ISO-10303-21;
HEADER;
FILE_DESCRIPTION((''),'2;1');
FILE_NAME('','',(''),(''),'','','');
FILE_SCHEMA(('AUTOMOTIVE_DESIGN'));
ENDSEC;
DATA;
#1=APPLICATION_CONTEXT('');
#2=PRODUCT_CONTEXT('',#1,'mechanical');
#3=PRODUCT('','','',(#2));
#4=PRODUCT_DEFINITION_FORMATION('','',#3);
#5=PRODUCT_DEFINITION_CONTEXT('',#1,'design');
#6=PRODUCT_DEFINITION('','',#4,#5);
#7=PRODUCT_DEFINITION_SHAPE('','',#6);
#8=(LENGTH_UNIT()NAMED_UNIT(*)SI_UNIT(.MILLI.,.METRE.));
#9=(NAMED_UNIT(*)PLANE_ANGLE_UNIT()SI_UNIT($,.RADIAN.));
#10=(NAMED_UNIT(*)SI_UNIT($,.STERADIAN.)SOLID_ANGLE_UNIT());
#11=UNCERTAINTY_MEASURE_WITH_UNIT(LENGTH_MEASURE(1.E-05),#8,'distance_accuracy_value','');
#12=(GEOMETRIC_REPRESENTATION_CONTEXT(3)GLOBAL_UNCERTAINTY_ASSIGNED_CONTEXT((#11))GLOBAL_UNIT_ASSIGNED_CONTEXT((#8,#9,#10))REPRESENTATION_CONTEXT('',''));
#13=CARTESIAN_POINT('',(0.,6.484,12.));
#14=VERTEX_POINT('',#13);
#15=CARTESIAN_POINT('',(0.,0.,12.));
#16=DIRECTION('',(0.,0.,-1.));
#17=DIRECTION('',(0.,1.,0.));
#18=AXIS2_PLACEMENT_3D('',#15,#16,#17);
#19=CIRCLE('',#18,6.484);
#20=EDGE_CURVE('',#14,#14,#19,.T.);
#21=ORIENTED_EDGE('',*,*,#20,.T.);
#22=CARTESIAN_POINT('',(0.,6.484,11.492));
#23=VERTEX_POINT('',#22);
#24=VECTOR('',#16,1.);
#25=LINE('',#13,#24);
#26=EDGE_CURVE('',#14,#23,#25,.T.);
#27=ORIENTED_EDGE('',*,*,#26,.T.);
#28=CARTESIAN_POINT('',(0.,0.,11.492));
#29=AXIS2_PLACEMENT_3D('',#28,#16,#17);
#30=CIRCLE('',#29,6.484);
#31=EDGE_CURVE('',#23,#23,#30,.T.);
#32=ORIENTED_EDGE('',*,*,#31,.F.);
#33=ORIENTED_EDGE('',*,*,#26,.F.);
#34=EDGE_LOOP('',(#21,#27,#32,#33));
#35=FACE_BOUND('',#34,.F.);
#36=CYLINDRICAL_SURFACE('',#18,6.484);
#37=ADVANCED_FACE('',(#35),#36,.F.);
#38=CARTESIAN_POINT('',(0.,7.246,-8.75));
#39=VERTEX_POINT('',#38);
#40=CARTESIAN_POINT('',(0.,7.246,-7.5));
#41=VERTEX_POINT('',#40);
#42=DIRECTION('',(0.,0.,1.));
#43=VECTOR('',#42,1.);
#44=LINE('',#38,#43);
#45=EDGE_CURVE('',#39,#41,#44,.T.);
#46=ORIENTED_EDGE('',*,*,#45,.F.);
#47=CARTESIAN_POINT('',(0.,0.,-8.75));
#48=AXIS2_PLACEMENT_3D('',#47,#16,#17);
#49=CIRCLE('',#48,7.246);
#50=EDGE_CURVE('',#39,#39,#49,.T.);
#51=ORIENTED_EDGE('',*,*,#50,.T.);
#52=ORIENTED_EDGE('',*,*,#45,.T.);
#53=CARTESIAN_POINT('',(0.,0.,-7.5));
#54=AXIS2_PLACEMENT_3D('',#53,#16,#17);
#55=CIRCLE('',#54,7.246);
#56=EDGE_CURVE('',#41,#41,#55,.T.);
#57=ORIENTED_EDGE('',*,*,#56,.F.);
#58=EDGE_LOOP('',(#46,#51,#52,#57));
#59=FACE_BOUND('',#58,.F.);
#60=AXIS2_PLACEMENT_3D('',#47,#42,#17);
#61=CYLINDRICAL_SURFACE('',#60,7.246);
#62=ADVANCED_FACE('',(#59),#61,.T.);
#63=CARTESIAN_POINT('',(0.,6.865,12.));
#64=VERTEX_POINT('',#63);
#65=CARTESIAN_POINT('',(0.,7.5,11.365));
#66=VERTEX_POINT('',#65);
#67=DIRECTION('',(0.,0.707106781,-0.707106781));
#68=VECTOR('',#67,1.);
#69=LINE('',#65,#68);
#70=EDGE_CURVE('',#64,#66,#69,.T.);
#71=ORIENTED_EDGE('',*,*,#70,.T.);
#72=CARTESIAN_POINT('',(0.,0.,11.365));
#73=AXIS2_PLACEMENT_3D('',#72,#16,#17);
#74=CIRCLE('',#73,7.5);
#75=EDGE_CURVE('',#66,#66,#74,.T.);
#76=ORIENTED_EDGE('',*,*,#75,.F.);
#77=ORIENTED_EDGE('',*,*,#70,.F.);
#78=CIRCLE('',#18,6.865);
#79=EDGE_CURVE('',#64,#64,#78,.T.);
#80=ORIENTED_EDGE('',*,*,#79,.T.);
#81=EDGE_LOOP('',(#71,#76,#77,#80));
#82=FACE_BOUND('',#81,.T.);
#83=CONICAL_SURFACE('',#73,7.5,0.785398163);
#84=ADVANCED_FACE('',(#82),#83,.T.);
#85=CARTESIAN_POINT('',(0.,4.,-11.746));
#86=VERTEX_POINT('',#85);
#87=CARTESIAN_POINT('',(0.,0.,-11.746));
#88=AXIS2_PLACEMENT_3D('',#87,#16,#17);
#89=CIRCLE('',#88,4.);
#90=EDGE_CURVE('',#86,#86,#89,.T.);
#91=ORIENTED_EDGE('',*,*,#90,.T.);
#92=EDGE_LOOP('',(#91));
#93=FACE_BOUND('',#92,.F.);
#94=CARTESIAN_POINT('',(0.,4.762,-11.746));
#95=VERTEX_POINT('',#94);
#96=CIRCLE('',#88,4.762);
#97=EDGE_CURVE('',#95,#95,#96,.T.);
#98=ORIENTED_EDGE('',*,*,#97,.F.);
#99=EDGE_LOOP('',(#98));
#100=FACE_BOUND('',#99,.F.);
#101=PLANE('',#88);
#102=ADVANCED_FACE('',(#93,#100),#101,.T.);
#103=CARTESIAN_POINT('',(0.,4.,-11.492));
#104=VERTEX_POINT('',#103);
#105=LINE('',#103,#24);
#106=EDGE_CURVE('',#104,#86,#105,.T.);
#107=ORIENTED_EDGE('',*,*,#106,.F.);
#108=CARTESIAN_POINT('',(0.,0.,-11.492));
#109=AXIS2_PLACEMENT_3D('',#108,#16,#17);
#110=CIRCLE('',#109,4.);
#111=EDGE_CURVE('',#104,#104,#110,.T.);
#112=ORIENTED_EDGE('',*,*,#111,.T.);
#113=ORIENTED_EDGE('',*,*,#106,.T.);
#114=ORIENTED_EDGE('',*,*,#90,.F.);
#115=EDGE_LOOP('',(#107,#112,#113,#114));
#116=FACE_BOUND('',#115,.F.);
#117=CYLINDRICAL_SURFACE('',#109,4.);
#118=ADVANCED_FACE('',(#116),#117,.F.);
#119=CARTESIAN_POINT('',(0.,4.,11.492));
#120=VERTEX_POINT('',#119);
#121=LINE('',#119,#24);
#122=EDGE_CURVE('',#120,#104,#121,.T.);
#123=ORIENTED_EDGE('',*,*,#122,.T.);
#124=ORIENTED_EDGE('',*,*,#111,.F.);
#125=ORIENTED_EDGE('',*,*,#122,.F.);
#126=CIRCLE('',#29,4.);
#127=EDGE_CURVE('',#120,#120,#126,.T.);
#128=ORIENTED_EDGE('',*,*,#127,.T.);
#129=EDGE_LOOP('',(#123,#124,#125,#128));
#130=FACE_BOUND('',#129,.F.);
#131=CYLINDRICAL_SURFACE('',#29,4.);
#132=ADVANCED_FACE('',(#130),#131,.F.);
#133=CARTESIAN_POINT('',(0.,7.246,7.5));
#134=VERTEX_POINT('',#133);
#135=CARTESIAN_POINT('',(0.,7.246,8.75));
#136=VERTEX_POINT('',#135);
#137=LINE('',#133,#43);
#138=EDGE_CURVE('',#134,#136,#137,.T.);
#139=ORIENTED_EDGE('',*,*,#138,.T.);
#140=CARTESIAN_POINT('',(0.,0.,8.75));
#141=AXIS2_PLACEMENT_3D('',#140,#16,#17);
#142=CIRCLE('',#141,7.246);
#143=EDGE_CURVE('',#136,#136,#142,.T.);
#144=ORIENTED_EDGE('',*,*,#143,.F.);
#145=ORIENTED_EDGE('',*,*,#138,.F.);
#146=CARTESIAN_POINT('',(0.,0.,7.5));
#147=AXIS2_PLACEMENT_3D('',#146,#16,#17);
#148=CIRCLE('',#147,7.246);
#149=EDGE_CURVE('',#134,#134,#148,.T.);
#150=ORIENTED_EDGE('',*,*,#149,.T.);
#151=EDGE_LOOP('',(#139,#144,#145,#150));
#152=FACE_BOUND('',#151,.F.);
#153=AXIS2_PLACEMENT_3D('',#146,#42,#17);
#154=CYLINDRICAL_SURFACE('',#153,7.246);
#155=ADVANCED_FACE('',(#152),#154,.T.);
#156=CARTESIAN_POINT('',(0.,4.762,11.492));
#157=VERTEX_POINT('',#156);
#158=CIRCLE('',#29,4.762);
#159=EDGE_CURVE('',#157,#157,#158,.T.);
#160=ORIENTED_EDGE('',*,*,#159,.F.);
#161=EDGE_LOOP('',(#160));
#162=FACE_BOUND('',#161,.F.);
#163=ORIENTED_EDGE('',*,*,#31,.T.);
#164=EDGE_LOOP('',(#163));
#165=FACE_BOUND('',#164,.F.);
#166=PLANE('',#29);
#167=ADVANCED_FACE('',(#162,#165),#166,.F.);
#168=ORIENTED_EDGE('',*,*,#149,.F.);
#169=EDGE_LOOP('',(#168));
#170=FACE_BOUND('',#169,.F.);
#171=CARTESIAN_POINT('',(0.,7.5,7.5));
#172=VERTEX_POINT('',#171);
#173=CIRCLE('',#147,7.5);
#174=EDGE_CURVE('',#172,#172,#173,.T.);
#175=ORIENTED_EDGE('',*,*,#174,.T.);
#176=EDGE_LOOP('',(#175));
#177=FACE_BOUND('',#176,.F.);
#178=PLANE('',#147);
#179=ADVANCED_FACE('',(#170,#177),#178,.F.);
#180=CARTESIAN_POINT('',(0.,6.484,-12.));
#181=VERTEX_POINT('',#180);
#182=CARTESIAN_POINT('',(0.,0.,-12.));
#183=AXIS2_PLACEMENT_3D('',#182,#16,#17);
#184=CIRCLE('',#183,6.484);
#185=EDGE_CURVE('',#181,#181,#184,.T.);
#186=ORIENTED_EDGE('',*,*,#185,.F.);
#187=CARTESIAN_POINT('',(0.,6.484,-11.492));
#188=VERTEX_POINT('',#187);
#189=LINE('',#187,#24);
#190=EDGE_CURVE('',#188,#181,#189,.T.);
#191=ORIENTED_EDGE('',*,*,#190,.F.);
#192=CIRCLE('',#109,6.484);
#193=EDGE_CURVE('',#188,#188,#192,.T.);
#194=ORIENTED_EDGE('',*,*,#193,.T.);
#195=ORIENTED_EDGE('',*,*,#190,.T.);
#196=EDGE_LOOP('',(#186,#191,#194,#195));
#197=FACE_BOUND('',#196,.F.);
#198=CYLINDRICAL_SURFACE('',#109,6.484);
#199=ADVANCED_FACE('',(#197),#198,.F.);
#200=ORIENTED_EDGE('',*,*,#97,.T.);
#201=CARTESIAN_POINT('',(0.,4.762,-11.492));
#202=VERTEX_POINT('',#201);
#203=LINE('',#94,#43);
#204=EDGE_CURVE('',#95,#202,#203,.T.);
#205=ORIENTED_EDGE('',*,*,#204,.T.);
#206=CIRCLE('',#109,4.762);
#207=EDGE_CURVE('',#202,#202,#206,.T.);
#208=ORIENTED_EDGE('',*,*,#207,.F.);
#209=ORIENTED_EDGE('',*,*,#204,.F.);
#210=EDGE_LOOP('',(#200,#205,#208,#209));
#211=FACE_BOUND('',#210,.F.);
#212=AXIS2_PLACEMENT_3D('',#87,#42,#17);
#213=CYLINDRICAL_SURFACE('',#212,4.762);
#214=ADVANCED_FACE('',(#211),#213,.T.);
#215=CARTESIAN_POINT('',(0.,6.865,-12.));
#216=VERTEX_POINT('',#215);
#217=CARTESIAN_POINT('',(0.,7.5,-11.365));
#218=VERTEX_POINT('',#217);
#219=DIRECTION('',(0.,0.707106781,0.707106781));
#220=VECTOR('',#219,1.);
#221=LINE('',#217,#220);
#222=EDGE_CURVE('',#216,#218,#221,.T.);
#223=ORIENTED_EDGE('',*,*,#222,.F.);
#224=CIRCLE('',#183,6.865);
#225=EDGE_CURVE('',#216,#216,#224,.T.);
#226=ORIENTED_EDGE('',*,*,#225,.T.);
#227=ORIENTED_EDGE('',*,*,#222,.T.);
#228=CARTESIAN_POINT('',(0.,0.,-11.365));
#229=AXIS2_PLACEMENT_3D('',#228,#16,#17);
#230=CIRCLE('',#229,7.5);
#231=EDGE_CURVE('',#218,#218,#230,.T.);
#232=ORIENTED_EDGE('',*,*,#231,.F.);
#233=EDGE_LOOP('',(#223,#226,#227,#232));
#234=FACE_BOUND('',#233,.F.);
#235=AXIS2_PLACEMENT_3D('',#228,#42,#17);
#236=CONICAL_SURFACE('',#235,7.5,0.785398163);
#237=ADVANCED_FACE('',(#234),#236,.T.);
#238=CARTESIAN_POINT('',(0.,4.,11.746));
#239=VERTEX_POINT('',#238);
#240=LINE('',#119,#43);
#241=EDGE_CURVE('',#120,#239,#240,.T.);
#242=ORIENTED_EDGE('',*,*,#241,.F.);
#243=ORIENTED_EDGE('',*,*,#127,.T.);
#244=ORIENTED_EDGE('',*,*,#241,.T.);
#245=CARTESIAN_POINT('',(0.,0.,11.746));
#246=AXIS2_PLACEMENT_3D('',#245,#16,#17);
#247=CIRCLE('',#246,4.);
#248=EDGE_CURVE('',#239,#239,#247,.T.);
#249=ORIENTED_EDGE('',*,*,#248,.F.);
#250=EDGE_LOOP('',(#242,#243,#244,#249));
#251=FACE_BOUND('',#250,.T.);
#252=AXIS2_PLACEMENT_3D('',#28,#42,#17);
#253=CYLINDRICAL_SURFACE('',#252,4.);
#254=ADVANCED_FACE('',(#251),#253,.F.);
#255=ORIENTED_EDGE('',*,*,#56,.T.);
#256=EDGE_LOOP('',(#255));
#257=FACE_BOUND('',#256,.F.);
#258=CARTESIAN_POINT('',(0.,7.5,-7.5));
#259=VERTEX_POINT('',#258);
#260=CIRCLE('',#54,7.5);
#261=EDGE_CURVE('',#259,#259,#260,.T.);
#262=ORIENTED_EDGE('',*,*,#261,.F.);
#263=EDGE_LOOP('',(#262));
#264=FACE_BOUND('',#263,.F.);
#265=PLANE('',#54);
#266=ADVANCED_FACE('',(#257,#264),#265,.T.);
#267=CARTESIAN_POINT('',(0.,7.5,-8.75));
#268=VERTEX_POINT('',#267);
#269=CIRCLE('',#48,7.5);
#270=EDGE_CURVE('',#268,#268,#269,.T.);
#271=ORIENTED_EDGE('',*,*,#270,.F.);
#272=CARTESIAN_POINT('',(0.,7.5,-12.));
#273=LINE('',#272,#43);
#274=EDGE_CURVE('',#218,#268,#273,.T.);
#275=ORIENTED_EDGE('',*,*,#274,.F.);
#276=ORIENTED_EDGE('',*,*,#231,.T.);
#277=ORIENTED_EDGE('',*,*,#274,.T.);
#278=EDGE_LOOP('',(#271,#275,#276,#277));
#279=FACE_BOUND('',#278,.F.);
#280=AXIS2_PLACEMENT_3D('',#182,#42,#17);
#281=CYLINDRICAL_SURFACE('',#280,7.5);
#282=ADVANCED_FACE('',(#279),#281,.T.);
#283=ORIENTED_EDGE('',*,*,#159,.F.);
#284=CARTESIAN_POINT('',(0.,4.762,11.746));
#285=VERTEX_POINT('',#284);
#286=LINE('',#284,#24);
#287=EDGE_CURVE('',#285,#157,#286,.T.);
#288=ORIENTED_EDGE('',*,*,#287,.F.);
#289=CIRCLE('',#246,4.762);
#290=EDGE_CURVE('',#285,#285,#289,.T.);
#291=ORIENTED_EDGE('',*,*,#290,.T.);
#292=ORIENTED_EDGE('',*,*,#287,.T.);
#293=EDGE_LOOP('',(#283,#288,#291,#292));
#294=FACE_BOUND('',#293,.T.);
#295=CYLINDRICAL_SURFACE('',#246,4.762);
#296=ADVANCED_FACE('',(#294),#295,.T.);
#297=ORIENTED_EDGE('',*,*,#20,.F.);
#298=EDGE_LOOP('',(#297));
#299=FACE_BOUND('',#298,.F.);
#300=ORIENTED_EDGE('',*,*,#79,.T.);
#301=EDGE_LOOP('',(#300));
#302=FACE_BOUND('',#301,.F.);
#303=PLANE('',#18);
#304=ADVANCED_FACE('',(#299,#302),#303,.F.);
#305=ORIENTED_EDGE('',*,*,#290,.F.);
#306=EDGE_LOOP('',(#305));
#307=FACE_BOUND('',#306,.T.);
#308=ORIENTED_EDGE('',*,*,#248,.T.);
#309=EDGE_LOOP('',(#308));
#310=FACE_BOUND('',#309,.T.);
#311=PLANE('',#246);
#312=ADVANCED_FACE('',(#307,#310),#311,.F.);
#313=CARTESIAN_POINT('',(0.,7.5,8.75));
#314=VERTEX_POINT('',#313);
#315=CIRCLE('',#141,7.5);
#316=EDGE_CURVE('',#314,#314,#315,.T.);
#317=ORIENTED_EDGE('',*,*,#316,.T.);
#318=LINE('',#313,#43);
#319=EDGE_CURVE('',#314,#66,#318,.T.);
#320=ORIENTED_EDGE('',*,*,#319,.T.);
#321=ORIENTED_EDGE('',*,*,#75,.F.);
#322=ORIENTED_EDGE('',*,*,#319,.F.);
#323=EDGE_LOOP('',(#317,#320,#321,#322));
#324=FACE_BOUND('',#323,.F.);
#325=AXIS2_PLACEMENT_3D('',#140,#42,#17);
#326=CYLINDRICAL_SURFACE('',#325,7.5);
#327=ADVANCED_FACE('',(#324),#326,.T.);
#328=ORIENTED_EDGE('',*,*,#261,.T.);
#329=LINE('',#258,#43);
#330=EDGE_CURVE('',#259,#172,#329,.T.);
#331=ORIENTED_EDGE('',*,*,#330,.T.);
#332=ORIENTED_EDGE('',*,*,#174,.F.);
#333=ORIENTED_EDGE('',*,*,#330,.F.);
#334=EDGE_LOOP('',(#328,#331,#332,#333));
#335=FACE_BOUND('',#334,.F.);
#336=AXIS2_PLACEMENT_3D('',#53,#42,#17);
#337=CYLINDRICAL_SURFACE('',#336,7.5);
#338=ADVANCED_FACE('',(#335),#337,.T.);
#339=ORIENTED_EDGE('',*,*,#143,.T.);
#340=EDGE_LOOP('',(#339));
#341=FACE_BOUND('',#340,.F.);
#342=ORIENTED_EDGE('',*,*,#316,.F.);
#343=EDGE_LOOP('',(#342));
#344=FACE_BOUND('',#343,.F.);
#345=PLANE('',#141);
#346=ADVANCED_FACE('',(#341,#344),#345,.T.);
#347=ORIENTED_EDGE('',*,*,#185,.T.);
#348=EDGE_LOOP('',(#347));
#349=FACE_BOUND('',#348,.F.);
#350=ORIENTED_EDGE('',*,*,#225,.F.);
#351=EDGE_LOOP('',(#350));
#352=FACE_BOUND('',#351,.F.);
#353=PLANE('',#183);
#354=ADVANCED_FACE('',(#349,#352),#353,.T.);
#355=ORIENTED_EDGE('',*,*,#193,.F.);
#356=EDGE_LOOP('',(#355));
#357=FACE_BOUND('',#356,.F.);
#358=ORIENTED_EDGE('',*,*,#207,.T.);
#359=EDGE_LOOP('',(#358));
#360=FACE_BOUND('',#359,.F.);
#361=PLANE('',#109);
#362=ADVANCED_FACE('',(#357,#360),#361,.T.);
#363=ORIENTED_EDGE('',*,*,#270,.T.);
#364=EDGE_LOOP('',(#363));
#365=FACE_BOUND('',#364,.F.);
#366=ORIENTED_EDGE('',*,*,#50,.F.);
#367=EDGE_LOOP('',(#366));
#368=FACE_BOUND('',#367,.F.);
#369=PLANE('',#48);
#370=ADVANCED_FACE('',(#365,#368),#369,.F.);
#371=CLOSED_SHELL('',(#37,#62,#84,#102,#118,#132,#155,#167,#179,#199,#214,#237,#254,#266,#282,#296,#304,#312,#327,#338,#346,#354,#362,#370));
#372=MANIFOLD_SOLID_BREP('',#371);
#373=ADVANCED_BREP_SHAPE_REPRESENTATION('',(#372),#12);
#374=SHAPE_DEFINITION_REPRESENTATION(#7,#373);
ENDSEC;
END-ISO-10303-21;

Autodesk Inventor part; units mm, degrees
ref_plane "YZ Plane" through (0, 0, 0) normal (1, 0, 0) x (0, 1, 0)
ref_plane "XZ Plane" through (0, 0, 0) normal (0, 1, 0) x (-1, 0, 0)
ref_plane "XY Plane" through (0, 0, 0) normal (0, 0, 1) x (1, 0, 0)
sketch "Sketch1" plane through (0, 0, 0) normal (1, 0, 0) x (0, 1, 0)
  line L0 (4, 11.492) -> (4, -11.492)
  line L1 (4, -11.492) -> (6.484, -11.492)
  line L2 (6.484, -11.492) -> (6.484, -12)
  line L3 (6.484, -12) -> (7.5, -12)
  line L4 (7.5, -12) -> (7.5, -8.75)
  line L5 (7.5, -8.75) -> (7.246, -8.75)
  line L6 (7.246, -8.75) -> (7.246, -7.5)
  line L7 (7.246, -7.5) -> (7.5, -7.5)
  line L8 (7.5, -7.5) -> (7.5, 7.5)
  line L9 (7.5, 7.5) -> (7.246, 7.5)
  line L10 (7.246, 7.5) -> (7.246, 8.75)
  line L11 (7.246, 8.75) -> (7.5, 8.75)
  line L12 (7.5, 8.75) -> (7.5, 12)
  line L13 (7.5, 12) -> (6.484, 12)
  line L14 (6.484, 12) -> (6.484, 11.492)
  line L15 (6.484, 11.492) -> (4, 11.492)
  line L16 (0, 0) -> (0, -1.7143)
  line L17 (4, 11.492) -> (4, 11.746)
  line L18 (4, 11.746) -> (4.762, 11.746)
  line L19 (4.762, 11.746) -> (4.762, 11.492)
  line L20 (4, -11.492) -> (4, -11.746)
  line L21 (4, -11.746) -> (4.762, -11.746)
  line L22 (4.762, -11.746) -> (4.762, -11.492)
  point P0 (4, 0)
  point P1 (7.5, 0)
  dimension "d0" = 8
  dimension "d1" = 15
  dimension "d2" = 24
  dimension "d3" = 1.016
  dimension "d4" = 0.254
  dimension "d5" = 0.762
  dimension "d6" = 0.508
  dimension "d7" = 1.25
  dimension "d8" = 0.254
  dimension "d9" = 15
revolve "Revolution1" add sketch "Sketch1" angle 360 about axis through (0, 0, 0) along (0, 0, -1)
chamfer "Chamfer1" distance 0.635 angle 45 2 edges at (0, -7.5, 12) (0, -7.5, -12)
properties part number "8mm Linear Bearing" material "Stainless Steel"
